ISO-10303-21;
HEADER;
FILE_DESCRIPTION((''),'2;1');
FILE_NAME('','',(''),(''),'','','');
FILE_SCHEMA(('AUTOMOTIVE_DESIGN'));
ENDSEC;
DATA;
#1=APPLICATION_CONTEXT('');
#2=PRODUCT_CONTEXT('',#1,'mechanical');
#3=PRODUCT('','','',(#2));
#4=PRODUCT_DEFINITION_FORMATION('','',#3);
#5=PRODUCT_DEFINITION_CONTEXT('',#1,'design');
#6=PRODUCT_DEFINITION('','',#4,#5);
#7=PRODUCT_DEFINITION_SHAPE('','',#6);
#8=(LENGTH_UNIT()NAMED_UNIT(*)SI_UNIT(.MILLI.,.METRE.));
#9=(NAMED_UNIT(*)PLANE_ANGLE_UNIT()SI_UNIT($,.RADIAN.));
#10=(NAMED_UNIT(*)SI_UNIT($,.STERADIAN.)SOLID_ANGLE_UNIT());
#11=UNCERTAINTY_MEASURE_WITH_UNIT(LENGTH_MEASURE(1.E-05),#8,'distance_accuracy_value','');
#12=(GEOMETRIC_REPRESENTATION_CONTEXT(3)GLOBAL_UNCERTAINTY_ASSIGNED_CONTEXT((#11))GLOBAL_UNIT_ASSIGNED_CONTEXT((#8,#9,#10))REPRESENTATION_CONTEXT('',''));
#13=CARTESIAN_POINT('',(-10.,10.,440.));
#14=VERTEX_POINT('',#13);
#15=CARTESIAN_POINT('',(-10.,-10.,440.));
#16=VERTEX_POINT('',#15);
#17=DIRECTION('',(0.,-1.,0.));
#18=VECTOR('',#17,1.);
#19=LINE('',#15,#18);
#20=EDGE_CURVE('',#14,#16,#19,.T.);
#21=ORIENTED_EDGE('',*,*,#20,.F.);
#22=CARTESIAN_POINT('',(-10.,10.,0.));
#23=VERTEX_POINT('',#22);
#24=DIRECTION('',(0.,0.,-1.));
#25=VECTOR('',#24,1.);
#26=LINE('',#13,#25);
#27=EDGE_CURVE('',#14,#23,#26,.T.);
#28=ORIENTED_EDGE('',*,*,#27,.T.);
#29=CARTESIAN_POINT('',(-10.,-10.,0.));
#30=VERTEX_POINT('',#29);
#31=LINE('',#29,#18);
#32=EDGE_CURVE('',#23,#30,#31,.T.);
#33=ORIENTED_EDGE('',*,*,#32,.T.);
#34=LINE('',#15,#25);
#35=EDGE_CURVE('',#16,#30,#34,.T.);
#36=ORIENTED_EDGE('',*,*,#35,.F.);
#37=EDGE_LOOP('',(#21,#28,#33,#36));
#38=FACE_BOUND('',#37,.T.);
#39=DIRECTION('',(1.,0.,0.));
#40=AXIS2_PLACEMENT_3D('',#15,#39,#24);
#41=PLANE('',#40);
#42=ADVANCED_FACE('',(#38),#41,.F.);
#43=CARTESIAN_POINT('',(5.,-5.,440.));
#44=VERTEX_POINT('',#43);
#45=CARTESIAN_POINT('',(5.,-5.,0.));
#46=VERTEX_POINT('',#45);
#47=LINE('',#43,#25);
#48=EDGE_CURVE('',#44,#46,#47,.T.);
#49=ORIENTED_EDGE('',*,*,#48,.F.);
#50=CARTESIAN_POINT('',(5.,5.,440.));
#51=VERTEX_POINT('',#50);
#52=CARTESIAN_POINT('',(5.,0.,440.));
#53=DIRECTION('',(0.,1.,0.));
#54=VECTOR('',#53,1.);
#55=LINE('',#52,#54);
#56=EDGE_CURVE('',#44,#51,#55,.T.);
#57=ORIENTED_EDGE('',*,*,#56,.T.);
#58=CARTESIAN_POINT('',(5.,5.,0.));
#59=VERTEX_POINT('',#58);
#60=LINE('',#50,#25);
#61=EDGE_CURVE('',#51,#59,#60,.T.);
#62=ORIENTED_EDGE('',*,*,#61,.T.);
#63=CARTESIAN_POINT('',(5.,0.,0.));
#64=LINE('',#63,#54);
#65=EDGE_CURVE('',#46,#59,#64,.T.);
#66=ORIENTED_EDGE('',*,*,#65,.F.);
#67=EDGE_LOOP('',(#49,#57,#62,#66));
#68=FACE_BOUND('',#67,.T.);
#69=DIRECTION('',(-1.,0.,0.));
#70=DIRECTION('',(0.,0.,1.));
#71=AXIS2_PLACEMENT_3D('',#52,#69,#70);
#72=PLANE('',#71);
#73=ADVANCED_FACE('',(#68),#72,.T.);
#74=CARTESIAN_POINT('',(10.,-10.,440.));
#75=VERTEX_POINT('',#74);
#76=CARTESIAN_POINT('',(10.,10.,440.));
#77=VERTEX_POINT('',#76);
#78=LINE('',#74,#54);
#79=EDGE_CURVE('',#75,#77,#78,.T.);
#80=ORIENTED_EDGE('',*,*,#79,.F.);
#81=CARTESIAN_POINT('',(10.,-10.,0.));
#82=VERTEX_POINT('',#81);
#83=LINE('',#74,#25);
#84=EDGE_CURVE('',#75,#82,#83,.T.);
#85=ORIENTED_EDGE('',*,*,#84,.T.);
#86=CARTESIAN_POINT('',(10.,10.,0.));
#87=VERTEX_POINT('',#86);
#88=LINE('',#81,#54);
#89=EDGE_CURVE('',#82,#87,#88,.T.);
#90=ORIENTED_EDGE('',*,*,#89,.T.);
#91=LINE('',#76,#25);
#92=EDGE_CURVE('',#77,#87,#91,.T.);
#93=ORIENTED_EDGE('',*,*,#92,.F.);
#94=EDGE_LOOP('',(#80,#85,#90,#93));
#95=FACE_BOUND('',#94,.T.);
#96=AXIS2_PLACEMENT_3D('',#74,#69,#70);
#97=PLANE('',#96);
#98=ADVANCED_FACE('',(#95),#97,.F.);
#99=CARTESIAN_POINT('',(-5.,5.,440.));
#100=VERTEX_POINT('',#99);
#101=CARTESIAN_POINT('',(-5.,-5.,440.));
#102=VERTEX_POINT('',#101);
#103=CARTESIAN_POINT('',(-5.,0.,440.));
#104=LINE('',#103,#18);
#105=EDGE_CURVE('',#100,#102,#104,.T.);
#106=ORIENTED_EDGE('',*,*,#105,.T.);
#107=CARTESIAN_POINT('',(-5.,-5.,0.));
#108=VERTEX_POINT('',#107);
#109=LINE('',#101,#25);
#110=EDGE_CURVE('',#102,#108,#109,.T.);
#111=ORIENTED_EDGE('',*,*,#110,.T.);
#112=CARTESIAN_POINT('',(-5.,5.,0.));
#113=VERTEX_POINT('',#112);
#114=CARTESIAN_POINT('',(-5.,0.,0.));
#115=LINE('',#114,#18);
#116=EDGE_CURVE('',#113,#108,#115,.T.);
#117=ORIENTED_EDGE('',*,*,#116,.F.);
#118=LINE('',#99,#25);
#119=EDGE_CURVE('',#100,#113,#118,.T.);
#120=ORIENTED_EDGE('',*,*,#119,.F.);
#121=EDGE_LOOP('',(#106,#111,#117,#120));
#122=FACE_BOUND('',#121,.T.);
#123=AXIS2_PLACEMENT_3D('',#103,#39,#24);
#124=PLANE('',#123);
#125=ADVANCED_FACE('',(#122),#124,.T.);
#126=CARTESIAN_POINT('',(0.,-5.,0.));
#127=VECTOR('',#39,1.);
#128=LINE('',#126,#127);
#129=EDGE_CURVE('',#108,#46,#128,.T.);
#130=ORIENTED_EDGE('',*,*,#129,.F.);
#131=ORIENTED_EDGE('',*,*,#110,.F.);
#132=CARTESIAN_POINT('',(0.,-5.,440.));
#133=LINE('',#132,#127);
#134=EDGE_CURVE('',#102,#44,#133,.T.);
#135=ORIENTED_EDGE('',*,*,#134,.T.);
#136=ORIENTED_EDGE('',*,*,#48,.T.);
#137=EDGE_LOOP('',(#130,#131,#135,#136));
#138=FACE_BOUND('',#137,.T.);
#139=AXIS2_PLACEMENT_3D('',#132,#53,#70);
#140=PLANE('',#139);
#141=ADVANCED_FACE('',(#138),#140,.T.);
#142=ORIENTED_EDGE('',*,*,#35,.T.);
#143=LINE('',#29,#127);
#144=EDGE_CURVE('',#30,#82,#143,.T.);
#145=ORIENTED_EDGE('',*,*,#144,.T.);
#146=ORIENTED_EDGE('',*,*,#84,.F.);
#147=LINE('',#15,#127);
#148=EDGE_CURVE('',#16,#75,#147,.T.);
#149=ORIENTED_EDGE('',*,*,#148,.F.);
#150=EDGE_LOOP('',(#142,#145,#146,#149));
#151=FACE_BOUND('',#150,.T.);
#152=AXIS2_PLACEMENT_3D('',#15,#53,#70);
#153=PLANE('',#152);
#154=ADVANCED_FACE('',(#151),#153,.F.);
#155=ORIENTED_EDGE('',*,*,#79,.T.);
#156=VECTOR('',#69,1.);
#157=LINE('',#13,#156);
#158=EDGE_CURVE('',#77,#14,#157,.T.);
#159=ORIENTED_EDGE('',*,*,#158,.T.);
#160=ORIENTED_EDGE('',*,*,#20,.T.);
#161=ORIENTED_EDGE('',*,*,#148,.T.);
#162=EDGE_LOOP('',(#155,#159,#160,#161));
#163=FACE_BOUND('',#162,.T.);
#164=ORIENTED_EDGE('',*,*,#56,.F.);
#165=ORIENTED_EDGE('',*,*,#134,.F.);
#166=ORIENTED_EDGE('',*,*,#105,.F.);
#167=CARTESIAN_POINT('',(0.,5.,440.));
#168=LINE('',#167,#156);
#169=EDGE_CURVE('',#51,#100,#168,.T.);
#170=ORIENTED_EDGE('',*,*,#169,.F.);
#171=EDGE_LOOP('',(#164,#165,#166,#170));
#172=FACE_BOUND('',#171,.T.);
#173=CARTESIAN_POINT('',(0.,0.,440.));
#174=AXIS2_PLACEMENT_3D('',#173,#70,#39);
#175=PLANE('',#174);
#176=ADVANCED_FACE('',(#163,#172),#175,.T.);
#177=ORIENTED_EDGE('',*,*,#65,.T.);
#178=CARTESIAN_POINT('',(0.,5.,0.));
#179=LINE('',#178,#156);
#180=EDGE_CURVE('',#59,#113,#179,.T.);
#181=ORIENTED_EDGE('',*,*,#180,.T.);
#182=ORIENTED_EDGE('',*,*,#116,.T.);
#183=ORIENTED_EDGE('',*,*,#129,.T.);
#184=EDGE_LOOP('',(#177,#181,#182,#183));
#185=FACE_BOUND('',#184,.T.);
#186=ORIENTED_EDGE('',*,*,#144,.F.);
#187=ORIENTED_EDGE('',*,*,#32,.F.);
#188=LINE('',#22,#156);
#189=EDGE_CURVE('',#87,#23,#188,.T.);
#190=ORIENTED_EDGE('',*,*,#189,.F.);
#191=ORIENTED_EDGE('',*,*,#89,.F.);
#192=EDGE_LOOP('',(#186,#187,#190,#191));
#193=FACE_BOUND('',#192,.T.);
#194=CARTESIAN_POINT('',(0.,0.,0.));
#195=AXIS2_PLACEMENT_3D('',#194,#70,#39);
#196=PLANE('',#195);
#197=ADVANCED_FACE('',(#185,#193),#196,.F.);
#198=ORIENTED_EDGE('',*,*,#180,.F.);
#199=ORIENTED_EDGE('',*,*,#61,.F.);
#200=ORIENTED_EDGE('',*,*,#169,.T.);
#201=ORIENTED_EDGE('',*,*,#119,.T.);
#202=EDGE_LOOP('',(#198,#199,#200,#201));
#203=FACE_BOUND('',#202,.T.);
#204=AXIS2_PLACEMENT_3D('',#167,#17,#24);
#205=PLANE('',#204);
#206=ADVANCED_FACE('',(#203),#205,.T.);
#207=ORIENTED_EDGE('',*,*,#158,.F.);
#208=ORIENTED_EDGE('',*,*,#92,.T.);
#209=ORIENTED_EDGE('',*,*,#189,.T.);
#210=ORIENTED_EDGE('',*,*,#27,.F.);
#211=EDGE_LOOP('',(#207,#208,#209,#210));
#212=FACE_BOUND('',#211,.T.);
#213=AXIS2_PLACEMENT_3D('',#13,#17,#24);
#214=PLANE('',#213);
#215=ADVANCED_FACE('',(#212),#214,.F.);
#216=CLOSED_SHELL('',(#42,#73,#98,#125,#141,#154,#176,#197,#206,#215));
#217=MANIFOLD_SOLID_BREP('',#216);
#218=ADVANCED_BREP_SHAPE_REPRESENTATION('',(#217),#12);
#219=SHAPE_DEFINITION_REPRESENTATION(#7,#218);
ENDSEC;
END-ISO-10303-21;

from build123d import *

# Parameters (mm, degrees)
SKETCH1_W           = 20
SKETCH1_H           = 20
SKETCH1_W_2         = 10
SKETCH1_H_2         = 10
EXTRUDE_THIN1_DEPTH = 440


with BuildPart() as part:
    # Sketch1 → Extrude-Thin1 (new body)
    with BuildSketch(Plane.XY):
        Rectangle(SKETCH1_W, SKETCH1_H)
        Rectangle(SKETCH1_W_2, SKETCH1_H_2, mode=Mode.SUBTRACT)
    extrude(amount=EXTRUDE_THIN1_DEPTH)


solid = part.part
